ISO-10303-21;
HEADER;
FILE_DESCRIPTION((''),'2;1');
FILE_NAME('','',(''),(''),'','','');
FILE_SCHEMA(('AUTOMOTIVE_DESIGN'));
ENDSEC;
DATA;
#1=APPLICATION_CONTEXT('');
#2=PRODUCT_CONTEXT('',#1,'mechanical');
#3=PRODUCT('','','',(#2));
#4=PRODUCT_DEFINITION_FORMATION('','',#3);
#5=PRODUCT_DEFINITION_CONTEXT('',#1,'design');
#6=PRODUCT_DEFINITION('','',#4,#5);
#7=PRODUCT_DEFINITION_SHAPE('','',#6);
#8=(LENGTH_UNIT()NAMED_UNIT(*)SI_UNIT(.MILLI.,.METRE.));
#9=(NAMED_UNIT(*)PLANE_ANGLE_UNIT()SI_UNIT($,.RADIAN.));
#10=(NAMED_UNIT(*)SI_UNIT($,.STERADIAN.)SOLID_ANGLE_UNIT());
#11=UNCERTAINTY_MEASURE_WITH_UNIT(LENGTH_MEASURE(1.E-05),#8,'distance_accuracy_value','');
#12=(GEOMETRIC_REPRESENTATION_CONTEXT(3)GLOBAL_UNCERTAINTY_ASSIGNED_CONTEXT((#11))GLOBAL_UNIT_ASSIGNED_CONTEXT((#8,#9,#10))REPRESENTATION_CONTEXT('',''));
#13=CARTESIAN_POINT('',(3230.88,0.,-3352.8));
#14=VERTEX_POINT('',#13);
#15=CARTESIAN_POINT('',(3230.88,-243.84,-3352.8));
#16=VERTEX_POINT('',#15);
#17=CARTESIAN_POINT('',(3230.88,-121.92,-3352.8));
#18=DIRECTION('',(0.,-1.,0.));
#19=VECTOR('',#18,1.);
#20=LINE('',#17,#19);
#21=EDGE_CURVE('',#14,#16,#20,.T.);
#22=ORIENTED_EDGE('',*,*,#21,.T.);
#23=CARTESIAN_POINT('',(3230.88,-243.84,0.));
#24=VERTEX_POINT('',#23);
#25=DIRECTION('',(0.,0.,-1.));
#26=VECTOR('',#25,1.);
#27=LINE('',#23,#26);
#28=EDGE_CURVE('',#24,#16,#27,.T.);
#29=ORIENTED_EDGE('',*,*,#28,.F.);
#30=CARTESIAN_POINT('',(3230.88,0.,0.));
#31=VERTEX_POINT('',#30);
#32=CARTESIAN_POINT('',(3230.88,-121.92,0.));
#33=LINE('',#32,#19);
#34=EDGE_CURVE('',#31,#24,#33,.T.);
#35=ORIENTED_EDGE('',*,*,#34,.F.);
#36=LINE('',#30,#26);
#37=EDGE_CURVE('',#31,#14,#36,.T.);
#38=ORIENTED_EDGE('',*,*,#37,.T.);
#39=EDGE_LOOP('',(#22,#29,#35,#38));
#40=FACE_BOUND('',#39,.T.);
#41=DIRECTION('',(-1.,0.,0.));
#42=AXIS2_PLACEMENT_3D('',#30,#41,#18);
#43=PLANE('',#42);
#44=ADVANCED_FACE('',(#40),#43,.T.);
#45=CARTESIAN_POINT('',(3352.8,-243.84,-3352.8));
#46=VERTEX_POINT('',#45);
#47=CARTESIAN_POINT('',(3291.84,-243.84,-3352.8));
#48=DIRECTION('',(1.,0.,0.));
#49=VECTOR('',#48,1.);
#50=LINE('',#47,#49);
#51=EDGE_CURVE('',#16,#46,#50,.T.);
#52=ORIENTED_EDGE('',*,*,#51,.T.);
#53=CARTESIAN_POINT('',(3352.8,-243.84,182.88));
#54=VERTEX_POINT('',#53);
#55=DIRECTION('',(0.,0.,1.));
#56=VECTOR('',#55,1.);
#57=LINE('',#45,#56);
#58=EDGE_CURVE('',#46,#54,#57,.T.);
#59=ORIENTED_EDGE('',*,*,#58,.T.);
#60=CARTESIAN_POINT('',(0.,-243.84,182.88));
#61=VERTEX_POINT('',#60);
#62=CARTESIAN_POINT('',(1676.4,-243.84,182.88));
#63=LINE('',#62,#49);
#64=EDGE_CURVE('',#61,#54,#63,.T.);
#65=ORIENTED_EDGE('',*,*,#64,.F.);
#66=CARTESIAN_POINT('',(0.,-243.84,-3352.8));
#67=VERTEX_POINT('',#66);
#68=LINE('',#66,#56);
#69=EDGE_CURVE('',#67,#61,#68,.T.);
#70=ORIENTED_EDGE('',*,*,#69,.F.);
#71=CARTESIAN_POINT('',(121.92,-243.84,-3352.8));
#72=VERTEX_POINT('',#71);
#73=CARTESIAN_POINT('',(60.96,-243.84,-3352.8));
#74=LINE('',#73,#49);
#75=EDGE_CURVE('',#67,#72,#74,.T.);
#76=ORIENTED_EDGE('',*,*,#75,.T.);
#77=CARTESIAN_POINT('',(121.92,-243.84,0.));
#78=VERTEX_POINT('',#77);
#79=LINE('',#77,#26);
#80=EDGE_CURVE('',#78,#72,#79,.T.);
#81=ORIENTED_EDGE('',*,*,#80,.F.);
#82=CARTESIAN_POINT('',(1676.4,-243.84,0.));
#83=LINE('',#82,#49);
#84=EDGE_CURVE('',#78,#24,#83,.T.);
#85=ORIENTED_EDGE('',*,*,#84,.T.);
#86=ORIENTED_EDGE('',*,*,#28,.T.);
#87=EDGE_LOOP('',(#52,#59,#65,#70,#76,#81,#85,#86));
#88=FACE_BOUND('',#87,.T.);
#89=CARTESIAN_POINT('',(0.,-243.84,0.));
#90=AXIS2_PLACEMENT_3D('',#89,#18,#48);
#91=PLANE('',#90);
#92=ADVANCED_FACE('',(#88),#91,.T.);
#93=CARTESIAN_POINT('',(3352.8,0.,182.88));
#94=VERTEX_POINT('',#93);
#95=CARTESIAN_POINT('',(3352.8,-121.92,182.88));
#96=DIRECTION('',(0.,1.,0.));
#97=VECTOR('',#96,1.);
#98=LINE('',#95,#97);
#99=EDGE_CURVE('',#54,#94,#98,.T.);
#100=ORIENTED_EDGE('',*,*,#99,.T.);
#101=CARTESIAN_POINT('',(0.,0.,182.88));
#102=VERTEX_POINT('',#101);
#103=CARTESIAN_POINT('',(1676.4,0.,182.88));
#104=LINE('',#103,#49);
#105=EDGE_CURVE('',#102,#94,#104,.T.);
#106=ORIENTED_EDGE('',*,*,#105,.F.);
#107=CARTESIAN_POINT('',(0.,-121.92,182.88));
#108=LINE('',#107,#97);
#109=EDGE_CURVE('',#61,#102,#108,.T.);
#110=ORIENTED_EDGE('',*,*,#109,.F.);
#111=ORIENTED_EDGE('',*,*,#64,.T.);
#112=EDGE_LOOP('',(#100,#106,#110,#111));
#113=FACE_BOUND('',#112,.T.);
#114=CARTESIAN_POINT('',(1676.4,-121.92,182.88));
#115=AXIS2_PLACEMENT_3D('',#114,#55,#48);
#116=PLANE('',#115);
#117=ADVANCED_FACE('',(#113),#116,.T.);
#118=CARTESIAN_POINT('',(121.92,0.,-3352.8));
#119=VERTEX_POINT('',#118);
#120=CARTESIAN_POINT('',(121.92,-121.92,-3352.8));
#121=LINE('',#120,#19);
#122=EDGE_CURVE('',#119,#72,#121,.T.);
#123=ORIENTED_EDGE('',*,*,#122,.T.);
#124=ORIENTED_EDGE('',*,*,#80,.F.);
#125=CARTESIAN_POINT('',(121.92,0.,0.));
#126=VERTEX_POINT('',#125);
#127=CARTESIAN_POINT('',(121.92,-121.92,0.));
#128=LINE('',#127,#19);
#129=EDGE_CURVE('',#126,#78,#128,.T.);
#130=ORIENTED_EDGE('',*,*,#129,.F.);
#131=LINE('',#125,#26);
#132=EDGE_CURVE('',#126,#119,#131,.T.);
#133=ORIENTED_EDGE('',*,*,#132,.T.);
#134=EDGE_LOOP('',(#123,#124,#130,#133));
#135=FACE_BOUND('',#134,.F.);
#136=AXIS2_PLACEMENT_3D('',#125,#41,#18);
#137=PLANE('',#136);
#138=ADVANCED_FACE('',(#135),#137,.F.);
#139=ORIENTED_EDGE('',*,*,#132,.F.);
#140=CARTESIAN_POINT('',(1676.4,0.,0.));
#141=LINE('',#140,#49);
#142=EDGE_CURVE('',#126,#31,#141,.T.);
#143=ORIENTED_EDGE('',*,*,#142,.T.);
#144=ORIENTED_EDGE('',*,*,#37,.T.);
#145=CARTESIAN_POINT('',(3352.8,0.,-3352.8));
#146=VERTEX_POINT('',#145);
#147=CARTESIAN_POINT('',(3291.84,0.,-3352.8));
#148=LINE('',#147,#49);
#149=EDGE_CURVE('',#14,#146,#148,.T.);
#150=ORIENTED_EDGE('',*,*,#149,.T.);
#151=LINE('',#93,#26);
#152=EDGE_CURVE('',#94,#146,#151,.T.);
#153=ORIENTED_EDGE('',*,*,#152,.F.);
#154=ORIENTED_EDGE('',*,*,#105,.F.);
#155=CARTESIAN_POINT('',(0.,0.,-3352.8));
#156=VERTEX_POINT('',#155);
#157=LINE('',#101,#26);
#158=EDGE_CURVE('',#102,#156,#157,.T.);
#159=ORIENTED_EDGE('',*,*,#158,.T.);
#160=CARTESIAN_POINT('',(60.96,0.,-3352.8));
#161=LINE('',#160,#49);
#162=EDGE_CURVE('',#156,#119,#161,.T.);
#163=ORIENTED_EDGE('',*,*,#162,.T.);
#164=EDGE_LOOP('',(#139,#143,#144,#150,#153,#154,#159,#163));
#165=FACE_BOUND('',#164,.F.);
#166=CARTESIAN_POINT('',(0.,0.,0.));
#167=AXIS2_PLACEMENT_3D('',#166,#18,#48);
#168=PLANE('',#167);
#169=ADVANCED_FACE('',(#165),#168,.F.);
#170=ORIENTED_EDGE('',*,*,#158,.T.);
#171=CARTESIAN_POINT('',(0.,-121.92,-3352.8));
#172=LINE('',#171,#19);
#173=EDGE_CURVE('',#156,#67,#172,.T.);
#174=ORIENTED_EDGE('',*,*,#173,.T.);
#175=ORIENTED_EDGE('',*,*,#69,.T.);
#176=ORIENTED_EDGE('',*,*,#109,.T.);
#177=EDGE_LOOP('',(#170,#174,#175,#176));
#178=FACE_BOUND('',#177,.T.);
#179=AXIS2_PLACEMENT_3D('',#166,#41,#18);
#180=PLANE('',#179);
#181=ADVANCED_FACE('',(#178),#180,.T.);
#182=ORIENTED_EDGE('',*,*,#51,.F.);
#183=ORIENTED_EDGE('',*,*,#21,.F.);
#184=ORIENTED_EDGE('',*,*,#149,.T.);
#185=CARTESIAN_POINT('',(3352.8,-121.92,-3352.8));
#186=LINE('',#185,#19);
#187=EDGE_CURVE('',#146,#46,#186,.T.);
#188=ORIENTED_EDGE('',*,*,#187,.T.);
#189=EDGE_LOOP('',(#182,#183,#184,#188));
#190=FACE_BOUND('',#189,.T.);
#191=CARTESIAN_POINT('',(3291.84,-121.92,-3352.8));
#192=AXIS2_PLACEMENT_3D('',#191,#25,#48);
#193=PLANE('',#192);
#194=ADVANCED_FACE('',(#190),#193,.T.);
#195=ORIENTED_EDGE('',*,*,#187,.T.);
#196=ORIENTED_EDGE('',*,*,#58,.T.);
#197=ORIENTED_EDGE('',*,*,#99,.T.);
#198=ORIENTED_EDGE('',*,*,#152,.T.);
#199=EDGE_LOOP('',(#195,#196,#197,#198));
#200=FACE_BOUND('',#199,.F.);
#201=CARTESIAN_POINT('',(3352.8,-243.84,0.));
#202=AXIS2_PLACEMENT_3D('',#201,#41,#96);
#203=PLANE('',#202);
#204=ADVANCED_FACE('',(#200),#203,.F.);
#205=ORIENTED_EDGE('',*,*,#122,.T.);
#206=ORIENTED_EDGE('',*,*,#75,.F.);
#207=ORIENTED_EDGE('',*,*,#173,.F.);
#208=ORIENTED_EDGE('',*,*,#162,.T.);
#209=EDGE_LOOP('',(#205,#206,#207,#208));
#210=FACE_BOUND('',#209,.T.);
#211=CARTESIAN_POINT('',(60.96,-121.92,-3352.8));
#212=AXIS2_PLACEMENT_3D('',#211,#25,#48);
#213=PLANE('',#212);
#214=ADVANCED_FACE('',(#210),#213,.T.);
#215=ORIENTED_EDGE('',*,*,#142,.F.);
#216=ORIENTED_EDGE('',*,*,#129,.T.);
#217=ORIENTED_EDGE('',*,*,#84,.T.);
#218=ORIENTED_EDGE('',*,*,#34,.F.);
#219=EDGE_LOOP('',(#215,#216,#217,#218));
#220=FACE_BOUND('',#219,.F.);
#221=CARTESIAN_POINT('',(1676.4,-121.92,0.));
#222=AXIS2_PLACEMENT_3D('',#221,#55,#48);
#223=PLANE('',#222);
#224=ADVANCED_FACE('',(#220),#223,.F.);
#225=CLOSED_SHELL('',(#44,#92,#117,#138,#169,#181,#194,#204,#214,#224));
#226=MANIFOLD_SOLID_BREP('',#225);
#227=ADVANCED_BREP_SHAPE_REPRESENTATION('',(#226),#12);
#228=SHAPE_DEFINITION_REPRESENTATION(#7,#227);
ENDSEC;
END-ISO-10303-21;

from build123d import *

# Parameters (mm, degrees)
F0_W     = 3352.8
F0_H     = 243.84
F1_DEPTH = 182.88
F2_W     = 121.92
F2_H     = 243.84
F3_DEPTH = 3352.8


with BuildPart() as f1:
    # F0 (on Top) → F1 (new body)
    with BuildSketch(Plane.XY):
        with Locations((1676.4, -121.92)):
            Rectangle(F0_W, F0_H)
    extrude(amount=F1_DEPTH)

    # F2 (on face) → F3 (join)
    with BuildSketch(Plane(origin=(0, 0, 0), x_dir=(1, 0, 0), z_dir=(0, 0, -1))):
        with Locations((60.96, 121.92)):
            Rectangle(F2_W, F2_H)
        with Locations((3291.84, 121.92)):
            Rectangle(F2_W, F2_H)
    extrude(amount=F3_DEPTH)


solid = f1.part
